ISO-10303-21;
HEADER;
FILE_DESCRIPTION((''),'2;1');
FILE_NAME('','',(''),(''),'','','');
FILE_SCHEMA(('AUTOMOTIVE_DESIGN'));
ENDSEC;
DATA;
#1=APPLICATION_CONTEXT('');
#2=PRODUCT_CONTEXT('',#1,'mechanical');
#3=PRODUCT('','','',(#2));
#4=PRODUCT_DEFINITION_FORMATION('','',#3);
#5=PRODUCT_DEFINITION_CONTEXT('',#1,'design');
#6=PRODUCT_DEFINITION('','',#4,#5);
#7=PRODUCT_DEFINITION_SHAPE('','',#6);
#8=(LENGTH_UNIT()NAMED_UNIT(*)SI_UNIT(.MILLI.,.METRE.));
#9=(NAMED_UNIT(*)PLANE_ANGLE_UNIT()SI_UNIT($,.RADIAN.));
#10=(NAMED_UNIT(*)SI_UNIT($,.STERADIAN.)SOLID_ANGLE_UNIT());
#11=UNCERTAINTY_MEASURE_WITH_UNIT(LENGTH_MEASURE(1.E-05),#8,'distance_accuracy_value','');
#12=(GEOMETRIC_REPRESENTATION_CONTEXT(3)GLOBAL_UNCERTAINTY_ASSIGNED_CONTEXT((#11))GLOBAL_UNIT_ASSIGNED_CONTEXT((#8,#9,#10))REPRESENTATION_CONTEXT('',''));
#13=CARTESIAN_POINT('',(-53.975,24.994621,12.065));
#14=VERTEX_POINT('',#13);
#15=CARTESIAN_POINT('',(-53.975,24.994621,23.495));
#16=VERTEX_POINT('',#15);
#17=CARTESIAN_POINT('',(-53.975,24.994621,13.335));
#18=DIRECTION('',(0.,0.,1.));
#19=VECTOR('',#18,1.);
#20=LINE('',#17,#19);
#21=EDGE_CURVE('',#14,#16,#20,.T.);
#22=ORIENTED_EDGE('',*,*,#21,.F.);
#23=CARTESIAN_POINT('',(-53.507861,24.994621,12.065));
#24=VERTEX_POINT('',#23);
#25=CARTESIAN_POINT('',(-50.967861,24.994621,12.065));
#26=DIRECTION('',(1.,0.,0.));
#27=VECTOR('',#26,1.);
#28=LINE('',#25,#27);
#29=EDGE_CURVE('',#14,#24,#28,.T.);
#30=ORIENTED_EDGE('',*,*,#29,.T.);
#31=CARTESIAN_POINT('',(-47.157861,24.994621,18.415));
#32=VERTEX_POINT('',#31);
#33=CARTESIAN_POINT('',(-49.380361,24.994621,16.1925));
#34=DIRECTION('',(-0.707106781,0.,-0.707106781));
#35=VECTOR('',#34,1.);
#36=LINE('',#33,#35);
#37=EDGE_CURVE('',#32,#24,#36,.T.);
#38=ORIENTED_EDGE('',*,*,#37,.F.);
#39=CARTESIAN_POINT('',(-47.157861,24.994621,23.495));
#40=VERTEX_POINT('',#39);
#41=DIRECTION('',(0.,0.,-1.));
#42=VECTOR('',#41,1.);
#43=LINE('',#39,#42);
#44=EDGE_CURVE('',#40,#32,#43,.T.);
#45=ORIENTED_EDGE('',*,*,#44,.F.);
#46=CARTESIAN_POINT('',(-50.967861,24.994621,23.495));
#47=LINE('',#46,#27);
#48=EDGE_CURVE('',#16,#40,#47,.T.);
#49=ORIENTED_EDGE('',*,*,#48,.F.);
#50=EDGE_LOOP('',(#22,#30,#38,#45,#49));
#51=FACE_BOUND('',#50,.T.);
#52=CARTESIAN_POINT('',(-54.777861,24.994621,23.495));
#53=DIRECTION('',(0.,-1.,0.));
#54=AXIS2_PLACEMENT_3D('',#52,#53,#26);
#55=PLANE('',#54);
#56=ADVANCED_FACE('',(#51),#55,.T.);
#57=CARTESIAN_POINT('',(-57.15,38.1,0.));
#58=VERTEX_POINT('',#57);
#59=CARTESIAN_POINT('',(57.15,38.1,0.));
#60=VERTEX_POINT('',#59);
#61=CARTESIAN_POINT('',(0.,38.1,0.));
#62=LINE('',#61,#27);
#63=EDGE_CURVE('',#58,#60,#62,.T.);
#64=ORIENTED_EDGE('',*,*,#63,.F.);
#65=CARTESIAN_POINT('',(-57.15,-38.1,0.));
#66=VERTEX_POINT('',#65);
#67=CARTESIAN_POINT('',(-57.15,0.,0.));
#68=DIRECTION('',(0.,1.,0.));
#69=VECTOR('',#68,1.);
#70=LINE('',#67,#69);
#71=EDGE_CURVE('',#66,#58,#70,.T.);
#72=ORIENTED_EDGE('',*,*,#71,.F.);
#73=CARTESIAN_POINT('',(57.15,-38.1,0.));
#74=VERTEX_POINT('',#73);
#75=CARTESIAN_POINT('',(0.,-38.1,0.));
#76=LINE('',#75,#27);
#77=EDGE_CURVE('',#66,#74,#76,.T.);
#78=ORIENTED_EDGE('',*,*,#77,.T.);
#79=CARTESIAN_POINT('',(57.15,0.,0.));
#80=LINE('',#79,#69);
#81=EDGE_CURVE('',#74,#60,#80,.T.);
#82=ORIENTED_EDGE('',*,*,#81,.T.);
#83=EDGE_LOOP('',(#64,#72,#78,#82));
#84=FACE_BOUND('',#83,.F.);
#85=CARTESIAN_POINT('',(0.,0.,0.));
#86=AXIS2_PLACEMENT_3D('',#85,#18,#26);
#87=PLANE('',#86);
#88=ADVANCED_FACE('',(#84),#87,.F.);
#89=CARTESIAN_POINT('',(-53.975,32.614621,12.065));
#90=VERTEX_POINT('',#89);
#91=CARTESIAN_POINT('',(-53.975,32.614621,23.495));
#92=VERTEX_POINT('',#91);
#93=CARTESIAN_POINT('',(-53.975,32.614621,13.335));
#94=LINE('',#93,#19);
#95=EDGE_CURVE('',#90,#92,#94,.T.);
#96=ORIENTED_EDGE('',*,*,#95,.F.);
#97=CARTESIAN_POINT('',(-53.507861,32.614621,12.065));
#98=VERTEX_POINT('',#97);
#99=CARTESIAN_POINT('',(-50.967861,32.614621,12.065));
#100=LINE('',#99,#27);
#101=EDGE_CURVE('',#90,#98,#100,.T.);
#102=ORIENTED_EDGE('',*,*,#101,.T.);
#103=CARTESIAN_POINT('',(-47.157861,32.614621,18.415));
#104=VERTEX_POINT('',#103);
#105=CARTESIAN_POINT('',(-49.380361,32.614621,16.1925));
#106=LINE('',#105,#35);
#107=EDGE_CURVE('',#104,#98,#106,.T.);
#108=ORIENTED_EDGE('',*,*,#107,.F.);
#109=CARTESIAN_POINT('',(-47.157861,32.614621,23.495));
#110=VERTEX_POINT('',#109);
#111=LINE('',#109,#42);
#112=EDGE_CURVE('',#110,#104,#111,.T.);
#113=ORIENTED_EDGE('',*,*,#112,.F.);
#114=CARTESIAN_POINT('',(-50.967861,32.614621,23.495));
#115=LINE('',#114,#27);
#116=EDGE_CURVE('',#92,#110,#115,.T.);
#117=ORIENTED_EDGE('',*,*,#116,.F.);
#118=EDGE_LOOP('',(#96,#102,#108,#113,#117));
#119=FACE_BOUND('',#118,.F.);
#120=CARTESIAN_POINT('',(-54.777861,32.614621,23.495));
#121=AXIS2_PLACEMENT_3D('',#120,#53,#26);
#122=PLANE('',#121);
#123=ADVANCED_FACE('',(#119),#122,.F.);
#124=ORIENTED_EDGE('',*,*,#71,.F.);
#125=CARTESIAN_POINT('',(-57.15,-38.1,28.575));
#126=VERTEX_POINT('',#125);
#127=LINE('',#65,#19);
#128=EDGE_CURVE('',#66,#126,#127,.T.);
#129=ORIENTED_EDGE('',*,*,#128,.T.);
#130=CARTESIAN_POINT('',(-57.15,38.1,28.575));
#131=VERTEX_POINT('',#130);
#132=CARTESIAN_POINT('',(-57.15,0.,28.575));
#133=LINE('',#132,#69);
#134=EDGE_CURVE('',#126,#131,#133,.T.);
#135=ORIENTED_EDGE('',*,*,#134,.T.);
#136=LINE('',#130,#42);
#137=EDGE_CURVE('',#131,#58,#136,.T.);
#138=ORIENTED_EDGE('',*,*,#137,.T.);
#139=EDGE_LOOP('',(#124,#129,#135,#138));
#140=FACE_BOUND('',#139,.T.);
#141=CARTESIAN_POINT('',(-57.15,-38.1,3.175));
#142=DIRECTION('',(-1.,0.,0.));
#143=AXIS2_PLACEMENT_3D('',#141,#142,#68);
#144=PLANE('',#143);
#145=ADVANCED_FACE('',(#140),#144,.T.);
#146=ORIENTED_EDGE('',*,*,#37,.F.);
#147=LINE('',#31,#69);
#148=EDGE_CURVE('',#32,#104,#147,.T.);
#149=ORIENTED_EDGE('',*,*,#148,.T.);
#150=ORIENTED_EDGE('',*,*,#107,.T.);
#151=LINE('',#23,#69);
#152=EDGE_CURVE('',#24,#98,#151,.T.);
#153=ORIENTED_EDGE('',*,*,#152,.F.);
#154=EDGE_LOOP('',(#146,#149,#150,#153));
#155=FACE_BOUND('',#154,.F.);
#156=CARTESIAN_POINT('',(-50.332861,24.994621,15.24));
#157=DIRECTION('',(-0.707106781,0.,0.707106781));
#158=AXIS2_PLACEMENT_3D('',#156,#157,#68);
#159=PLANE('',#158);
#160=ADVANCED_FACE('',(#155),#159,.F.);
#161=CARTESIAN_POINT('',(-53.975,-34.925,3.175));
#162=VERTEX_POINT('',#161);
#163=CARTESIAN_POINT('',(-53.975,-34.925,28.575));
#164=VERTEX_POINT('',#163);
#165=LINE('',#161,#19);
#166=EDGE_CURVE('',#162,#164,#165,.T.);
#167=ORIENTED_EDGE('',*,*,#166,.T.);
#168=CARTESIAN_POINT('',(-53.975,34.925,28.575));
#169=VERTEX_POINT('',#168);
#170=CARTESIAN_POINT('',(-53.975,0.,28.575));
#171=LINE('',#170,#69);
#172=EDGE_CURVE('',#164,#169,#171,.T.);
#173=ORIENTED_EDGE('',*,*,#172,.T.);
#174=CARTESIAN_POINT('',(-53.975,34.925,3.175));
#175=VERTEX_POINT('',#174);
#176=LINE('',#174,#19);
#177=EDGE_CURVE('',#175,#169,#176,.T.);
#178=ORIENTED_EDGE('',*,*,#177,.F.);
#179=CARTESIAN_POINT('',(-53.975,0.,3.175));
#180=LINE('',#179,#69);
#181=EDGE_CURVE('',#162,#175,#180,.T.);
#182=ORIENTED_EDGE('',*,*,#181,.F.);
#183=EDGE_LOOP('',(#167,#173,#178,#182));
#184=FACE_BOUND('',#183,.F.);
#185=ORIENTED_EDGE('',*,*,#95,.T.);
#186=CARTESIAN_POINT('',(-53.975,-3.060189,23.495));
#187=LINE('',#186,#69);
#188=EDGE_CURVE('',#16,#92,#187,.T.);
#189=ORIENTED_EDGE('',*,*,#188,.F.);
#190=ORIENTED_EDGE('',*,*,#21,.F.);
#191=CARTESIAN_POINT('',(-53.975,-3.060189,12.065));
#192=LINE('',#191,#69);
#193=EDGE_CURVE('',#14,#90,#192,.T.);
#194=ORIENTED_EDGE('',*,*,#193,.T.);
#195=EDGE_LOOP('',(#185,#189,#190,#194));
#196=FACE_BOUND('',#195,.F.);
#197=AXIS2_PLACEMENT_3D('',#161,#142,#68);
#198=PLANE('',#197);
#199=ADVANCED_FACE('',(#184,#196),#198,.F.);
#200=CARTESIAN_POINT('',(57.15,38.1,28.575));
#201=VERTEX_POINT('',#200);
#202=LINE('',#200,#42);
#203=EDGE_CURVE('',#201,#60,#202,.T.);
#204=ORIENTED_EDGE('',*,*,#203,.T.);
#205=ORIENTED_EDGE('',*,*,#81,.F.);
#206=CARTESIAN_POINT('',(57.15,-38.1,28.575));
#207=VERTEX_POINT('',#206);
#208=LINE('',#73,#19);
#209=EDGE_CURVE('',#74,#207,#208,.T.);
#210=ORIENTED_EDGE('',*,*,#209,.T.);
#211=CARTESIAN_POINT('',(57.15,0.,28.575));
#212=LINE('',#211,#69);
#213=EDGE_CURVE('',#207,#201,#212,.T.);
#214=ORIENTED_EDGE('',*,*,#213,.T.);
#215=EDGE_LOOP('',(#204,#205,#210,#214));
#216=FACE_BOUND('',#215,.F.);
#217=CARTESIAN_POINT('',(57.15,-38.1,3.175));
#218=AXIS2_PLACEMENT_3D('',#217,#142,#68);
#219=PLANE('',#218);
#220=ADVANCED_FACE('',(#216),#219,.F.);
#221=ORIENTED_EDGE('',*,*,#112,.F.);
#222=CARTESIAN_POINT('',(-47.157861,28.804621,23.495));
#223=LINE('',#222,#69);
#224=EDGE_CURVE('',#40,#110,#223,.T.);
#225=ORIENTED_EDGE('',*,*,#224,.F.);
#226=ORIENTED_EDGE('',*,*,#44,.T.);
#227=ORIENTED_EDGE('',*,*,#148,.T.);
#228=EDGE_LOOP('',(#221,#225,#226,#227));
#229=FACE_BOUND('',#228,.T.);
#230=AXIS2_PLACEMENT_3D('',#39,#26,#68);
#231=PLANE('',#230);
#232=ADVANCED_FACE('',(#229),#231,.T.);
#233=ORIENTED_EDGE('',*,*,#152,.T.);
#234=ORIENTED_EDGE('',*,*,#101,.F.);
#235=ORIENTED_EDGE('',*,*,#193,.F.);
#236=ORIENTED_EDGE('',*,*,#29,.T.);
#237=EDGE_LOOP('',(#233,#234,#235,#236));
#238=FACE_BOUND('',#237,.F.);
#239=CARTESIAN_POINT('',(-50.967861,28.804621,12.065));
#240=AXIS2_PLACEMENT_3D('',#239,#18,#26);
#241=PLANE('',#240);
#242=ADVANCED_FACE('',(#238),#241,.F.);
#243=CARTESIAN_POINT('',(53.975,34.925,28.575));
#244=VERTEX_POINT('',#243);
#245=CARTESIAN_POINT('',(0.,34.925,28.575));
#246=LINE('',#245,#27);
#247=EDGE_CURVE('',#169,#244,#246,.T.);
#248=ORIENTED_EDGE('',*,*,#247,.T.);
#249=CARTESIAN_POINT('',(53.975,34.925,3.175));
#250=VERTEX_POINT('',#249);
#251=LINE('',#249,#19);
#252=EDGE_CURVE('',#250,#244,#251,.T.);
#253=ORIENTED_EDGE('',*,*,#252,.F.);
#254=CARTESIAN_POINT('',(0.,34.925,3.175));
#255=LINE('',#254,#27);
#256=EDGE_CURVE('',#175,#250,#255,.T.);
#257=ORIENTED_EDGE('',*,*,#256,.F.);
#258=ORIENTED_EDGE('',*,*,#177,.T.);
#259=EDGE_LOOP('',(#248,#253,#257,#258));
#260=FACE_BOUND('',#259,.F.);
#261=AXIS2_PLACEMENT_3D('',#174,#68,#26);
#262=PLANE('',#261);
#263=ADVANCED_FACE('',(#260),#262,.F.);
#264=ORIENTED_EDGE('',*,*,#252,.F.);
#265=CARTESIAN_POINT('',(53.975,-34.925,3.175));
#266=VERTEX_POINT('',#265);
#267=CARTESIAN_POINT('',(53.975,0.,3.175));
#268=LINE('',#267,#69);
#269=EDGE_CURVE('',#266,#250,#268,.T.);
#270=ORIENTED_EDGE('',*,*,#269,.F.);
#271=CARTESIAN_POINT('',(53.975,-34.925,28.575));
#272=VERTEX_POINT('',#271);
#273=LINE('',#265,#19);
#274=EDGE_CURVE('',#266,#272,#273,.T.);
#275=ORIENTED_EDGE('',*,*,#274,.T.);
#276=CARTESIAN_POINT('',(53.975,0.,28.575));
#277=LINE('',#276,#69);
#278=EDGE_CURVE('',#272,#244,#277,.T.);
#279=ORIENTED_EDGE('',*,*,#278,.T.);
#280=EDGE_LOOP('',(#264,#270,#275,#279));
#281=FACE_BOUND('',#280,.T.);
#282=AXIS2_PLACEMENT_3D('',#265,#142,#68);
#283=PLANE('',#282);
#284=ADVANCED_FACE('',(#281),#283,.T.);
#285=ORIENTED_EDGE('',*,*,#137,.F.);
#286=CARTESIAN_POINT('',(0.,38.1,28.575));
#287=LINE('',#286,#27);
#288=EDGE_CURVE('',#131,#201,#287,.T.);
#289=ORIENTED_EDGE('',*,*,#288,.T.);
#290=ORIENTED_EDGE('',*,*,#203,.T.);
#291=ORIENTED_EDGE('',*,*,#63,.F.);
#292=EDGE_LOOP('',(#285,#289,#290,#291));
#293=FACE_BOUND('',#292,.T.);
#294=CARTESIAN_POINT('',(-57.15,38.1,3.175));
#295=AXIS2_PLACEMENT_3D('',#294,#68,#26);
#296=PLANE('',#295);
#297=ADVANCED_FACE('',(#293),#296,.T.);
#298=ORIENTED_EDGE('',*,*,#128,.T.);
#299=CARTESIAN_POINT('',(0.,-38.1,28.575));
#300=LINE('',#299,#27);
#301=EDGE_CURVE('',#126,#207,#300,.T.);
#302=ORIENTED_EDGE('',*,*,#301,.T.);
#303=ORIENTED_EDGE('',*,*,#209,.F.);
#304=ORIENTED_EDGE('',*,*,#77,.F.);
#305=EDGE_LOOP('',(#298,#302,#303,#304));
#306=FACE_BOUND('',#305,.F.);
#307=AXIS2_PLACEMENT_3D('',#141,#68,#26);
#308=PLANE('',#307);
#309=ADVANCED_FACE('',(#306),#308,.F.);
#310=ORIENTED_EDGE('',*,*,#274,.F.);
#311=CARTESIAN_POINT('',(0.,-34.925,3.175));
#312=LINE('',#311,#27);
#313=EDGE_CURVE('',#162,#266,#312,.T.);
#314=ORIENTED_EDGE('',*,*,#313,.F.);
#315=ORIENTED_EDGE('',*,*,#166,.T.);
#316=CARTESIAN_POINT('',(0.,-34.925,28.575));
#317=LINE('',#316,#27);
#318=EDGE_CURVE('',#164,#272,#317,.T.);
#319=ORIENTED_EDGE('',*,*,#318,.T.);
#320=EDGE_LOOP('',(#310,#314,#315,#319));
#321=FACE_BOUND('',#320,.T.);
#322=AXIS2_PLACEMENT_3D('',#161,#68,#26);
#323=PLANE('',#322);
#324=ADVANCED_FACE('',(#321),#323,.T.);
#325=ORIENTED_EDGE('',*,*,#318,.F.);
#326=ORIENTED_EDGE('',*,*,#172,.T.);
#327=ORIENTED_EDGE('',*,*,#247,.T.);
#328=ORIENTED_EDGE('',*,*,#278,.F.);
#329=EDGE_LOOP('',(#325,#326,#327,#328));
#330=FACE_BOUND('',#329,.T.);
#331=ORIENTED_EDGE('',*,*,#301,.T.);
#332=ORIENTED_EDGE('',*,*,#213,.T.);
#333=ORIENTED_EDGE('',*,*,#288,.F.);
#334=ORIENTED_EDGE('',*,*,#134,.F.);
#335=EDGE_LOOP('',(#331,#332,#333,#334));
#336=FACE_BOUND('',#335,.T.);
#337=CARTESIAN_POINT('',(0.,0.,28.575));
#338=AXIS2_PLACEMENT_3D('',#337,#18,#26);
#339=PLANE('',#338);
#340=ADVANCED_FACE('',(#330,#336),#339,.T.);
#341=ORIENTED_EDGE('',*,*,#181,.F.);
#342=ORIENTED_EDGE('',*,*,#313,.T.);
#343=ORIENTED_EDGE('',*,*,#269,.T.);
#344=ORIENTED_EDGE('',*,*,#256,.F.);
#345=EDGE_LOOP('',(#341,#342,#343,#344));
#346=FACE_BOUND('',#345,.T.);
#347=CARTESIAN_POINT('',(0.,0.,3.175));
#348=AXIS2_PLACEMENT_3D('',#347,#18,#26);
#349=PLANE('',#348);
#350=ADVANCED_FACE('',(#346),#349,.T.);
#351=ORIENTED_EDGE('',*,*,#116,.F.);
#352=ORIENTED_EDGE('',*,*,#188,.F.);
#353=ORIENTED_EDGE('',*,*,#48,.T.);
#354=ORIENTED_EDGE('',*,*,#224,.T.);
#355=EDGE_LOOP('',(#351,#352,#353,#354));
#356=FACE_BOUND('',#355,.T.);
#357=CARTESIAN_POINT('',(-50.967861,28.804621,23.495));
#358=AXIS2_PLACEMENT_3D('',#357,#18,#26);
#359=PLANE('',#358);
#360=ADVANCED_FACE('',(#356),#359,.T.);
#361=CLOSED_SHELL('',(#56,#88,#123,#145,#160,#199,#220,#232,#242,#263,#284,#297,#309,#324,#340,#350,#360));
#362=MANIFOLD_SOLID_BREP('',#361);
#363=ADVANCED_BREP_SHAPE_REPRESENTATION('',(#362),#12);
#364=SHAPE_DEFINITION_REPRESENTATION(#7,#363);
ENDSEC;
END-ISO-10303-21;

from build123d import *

# Parameters (mm, degrees)
F0_W     = 114.3
F0_H     = 76.2
F1_DEPTH = 3.175
F2_W     = 114.3
F2_H     = 76.2
F2_W_2   = 107.95
F2_H_2   = 69.85
F3_DEPTH = 25.4
F5_W     = 7.62
F5_H     = 7.62
F6_DEPTH = 11.43
F7_SIZE  = 6.35


with BuildPart() as f1:
    # F0 (on Top) → F1 (new body)
    with BuildSketch(Plane.XY):
        Rectangle(F0_W, F0_H)
    extrude(amount=F1_DEPTH)

    # F2 (on face) → F3 (join)
    with BuildSketch(Plane.XY.offset(3.175)):
        Rectangle(F2_W, F2_H)
        Rectangle(F2_W_2, F2_H_2, mode=Mode.SUBTRACT)
    extrude(amount=F3_DEPTH)

    # F5 (on offset) → F6 (join)
    with BuildSketch(Plane.XY.offset(23.495)):
        with Locations((-50.967861, 28.804621)):
            Rectangle(F5_W, F5_H)
    extrude(amount=-F6_DEPTH)

    # F7
    f7_edges = [f1.edges().sort_by_distance(p)[0] for p in [
        (-47.157861, 28.804621, 12.065),
    ]]
    chamfer(f7_edges, length=F7_SIZE)


solid = f1.part
